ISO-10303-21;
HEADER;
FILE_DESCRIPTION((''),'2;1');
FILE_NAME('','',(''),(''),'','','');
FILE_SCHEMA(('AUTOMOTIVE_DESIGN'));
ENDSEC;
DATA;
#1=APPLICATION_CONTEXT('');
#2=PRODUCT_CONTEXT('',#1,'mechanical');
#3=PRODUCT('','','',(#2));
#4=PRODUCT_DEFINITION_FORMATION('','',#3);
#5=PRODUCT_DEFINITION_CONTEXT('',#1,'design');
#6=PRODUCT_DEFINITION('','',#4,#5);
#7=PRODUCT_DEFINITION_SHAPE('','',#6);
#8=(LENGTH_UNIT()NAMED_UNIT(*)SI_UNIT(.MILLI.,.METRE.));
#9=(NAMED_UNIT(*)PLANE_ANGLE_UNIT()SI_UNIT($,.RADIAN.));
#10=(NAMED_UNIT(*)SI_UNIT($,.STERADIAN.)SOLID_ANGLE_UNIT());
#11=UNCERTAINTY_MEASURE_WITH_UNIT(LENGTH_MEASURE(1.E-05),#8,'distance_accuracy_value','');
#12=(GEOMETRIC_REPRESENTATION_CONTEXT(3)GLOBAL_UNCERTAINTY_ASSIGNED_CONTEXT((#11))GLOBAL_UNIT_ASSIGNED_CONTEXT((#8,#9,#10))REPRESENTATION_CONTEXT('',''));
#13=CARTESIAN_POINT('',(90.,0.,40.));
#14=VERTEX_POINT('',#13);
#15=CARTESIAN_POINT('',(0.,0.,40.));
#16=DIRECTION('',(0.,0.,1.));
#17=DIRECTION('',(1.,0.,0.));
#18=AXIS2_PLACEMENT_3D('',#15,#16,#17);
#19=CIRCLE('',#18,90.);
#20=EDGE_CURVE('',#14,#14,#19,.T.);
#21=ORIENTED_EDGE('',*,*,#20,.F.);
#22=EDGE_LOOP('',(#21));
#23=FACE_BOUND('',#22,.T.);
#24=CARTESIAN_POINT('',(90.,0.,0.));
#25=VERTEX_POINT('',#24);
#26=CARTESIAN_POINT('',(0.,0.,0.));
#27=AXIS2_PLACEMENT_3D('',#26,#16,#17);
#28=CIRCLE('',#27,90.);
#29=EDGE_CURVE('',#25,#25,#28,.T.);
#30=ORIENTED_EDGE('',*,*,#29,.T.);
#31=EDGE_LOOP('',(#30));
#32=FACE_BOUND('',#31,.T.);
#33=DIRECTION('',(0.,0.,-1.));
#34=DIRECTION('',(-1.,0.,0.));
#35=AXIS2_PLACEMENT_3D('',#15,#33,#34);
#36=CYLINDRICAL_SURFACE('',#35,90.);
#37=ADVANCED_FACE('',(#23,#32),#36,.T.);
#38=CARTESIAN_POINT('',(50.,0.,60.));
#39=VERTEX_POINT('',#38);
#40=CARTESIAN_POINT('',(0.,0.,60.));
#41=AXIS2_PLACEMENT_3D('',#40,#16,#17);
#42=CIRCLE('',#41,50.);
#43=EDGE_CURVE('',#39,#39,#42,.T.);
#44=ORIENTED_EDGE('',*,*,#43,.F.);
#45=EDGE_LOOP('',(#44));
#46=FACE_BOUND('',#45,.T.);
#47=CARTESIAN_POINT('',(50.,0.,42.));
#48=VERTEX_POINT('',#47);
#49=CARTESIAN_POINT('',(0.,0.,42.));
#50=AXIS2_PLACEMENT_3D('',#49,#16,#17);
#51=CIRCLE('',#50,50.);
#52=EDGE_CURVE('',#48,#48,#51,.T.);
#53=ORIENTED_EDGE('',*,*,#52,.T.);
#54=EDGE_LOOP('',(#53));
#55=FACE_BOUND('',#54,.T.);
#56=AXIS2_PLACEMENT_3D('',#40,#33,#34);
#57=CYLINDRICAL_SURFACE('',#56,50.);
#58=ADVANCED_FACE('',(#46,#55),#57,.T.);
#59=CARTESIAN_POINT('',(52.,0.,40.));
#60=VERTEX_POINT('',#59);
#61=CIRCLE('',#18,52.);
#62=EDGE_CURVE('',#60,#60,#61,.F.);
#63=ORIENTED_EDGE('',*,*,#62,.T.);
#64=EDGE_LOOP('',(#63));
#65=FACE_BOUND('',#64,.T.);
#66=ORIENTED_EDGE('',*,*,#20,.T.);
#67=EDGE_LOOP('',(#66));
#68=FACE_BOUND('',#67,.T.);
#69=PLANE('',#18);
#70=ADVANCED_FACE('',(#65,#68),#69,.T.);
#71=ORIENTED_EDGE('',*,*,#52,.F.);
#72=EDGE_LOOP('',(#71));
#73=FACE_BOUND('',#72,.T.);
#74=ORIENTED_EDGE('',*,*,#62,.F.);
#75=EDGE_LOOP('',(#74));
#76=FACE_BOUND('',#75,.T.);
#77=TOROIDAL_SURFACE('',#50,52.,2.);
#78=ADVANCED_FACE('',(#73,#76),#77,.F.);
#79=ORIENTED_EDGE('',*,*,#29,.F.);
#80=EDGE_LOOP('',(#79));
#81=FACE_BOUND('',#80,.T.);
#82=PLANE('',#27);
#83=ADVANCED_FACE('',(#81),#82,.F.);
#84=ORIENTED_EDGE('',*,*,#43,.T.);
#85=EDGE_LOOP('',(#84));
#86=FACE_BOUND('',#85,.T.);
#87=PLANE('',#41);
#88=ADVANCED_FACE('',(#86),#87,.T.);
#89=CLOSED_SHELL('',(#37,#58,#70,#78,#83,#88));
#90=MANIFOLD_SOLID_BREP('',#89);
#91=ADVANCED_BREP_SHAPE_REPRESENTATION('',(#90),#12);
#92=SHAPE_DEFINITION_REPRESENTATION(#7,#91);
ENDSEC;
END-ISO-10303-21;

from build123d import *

# Parameters (mm, degrees)
SKETCH1_R           = 90
BOSS_EXTRUDE1_DEPTH = 40
SKETCH2_R           = 50
BOSS_EXTRUDE2_DEPTH = 20
FILLET1_R           = 2


with BuildPart() as part:
    # Sketch1 → Boss-Extrude1 (new body)
    with BuildSketch(Plane.XY):
        Circle(SKETCH1_R)
    extrude(amount=BOSS_EXTRUDE1_DEPTH)

    # Sketch2 → Boss-Extrude2 (add)
    with BuildSketch(Plane.XY.offset(40)):
        Circle(SKETCH2_R)
    extrude(amount=BOSS_EXTRUDE2_DEPTH)

    # Fillet1
    fillet1_edges = [part.edges().sort_by_distance(p)[0] for p in [
        (-50, 0, 40),
    ]]
    fillet(fillet1_edges, radius=FILLET1_R)


solid = part.part
